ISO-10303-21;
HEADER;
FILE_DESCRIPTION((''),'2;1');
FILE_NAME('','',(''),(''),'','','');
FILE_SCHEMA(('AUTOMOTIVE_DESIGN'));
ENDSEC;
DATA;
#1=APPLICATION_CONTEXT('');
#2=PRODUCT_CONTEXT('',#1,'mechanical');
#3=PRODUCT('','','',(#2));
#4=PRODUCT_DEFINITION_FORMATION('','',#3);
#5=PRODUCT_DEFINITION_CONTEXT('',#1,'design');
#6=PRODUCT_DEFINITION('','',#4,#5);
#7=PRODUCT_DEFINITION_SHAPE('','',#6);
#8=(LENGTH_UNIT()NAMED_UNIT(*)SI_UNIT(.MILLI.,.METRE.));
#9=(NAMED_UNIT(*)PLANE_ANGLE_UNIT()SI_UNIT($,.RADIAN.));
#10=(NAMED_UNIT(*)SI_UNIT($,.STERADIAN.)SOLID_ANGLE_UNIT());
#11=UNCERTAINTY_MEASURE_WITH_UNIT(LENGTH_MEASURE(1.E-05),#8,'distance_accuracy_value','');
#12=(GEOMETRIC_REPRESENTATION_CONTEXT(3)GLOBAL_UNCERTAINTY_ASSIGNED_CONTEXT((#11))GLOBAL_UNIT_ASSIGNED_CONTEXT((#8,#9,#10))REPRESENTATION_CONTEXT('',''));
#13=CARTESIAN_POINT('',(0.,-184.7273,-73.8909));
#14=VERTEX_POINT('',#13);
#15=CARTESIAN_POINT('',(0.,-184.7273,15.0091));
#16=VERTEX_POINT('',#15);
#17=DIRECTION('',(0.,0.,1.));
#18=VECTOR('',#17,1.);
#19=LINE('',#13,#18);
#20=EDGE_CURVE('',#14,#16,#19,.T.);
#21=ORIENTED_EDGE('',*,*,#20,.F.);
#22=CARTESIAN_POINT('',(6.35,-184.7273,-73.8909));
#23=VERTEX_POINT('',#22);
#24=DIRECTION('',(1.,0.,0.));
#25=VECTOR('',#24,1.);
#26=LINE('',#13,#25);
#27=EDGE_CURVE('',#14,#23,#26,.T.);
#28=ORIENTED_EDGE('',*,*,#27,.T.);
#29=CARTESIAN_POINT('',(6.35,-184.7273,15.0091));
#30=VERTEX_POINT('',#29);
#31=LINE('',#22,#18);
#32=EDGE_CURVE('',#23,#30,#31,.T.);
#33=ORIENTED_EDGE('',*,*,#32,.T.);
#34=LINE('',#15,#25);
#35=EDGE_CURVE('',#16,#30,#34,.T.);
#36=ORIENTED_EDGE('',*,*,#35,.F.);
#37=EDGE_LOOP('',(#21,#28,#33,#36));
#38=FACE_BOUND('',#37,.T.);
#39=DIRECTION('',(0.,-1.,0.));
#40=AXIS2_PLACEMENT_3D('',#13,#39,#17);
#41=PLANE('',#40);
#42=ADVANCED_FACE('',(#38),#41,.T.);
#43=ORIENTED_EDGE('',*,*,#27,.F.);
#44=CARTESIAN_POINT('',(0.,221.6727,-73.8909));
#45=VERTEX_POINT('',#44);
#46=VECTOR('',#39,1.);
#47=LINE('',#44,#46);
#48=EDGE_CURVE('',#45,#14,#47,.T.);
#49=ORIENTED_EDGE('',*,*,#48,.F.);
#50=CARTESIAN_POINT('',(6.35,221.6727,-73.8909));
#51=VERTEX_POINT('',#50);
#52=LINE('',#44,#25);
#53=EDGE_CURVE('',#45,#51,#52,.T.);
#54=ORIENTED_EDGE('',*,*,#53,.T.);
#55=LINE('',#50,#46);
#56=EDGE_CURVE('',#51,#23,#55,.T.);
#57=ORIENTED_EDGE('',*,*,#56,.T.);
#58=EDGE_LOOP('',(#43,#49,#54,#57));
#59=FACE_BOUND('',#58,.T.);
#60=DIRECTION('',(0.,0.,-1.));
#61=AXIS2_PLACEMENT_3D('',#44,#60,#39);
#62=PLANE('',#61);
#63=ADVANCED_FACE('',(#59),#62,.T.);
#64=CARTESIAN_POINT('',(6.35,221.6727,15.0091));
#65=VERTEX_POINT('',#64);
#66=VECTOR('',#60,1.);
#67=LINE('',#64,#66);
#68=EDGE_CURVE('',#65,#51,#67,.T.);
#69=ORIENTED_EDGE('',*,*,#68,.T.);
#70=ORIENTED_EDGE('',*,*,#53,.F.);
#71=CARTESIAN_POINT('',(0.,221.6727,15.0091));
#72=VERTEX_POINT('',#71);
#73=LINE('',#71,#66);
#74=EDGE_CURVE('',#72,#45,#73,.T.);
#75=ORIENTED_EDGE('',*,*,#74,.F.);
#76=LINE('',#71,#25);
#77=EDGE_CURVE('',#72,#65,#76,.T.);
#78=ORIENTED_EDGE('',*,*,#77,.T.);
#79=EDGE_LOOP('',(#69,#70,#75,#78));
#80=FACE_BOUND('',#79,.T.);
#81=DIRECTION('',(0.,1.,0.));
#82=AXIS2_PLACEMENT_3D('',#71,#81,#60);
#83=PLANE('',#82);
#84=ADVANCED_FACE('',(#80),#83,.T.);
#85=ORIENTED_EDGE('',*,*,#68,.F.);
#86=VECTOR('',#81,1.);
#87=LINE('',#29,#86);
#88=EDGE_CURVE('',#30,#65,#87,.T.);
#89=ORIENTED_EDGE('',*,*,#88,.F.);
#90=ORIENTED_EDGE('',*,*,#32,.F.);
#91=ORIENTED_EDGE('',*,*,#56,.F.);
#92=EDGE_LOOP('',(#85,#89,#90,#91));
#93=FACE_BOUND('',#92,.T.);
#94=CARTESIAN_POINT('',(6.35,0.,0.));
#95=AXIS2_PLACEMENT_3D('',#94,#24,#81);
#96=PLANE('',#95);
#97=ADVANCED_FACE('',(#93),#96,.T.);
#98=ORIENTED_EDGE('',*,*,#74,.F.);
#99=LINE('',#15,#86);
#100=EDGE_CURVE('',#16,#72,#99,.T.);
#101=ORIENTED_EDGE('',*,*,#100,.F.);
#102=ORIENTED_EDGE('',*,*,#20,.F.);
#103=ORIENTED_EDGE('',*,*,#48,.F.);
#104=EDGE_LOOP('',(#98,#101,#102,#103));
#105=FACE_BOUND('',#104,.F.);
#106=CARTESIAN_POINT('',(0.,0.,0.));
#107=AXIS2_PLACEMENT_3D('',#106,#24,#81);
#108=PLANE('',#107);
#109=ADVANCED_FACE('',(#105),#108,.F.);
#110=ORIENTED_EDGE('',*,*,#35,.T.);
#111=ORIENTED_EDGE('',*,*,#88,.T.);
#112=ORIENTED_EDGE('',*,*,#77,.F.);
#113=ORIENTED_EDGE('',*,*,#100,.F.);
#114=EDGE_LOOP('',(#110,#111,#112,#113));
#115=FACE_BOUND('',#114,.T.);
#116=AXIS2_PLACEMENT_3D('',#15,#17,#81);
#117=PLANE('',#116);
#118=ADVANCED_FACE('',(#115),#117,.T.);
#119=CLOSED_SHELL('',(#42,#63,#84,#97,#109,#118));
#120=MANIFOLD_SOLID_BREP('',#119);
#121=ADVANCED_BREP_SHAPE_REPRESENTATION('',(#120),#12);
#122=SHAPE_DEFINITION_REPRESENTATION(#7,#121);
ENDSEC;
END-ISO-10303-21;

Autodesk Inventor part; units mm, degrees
ref_plane "YZ Plane" through (0, 0, 0) normal (1, 0, 0) x (0, 1, 0)
ref_plane "XZ Plane" through (0, 0, 0) normal (0, 1, 0) x (-1, 0, 0)
ref_plane "XY Plane" through (0, 0, 0) normal (0, 0, 1) x (1, 0, 0)
sketch "Sketch1" plane through (0, 0, 0) normal (1, 0, 0) x (0, 1, 0)
  line L0 (-184.7273, 15.0091) -> (221.6727, 15.0091)
  line L1 (221.6727, 15.0091) -> (221.6727, -73.8909)
  line L2 (221.6727, -73.8909) -> (-184.7273, -73.8909)
  line L3 (-184.7273, -73.8909) -> (-184.7273, 15.0091)
  point P0 (0, 0)
  dimension "d0" = 406.4
  dimension "d2" = 88.9
extrude "Extrusion1" add sketch "Sketch1" along normal blind 6.35
properties part number "Front Paneling"
